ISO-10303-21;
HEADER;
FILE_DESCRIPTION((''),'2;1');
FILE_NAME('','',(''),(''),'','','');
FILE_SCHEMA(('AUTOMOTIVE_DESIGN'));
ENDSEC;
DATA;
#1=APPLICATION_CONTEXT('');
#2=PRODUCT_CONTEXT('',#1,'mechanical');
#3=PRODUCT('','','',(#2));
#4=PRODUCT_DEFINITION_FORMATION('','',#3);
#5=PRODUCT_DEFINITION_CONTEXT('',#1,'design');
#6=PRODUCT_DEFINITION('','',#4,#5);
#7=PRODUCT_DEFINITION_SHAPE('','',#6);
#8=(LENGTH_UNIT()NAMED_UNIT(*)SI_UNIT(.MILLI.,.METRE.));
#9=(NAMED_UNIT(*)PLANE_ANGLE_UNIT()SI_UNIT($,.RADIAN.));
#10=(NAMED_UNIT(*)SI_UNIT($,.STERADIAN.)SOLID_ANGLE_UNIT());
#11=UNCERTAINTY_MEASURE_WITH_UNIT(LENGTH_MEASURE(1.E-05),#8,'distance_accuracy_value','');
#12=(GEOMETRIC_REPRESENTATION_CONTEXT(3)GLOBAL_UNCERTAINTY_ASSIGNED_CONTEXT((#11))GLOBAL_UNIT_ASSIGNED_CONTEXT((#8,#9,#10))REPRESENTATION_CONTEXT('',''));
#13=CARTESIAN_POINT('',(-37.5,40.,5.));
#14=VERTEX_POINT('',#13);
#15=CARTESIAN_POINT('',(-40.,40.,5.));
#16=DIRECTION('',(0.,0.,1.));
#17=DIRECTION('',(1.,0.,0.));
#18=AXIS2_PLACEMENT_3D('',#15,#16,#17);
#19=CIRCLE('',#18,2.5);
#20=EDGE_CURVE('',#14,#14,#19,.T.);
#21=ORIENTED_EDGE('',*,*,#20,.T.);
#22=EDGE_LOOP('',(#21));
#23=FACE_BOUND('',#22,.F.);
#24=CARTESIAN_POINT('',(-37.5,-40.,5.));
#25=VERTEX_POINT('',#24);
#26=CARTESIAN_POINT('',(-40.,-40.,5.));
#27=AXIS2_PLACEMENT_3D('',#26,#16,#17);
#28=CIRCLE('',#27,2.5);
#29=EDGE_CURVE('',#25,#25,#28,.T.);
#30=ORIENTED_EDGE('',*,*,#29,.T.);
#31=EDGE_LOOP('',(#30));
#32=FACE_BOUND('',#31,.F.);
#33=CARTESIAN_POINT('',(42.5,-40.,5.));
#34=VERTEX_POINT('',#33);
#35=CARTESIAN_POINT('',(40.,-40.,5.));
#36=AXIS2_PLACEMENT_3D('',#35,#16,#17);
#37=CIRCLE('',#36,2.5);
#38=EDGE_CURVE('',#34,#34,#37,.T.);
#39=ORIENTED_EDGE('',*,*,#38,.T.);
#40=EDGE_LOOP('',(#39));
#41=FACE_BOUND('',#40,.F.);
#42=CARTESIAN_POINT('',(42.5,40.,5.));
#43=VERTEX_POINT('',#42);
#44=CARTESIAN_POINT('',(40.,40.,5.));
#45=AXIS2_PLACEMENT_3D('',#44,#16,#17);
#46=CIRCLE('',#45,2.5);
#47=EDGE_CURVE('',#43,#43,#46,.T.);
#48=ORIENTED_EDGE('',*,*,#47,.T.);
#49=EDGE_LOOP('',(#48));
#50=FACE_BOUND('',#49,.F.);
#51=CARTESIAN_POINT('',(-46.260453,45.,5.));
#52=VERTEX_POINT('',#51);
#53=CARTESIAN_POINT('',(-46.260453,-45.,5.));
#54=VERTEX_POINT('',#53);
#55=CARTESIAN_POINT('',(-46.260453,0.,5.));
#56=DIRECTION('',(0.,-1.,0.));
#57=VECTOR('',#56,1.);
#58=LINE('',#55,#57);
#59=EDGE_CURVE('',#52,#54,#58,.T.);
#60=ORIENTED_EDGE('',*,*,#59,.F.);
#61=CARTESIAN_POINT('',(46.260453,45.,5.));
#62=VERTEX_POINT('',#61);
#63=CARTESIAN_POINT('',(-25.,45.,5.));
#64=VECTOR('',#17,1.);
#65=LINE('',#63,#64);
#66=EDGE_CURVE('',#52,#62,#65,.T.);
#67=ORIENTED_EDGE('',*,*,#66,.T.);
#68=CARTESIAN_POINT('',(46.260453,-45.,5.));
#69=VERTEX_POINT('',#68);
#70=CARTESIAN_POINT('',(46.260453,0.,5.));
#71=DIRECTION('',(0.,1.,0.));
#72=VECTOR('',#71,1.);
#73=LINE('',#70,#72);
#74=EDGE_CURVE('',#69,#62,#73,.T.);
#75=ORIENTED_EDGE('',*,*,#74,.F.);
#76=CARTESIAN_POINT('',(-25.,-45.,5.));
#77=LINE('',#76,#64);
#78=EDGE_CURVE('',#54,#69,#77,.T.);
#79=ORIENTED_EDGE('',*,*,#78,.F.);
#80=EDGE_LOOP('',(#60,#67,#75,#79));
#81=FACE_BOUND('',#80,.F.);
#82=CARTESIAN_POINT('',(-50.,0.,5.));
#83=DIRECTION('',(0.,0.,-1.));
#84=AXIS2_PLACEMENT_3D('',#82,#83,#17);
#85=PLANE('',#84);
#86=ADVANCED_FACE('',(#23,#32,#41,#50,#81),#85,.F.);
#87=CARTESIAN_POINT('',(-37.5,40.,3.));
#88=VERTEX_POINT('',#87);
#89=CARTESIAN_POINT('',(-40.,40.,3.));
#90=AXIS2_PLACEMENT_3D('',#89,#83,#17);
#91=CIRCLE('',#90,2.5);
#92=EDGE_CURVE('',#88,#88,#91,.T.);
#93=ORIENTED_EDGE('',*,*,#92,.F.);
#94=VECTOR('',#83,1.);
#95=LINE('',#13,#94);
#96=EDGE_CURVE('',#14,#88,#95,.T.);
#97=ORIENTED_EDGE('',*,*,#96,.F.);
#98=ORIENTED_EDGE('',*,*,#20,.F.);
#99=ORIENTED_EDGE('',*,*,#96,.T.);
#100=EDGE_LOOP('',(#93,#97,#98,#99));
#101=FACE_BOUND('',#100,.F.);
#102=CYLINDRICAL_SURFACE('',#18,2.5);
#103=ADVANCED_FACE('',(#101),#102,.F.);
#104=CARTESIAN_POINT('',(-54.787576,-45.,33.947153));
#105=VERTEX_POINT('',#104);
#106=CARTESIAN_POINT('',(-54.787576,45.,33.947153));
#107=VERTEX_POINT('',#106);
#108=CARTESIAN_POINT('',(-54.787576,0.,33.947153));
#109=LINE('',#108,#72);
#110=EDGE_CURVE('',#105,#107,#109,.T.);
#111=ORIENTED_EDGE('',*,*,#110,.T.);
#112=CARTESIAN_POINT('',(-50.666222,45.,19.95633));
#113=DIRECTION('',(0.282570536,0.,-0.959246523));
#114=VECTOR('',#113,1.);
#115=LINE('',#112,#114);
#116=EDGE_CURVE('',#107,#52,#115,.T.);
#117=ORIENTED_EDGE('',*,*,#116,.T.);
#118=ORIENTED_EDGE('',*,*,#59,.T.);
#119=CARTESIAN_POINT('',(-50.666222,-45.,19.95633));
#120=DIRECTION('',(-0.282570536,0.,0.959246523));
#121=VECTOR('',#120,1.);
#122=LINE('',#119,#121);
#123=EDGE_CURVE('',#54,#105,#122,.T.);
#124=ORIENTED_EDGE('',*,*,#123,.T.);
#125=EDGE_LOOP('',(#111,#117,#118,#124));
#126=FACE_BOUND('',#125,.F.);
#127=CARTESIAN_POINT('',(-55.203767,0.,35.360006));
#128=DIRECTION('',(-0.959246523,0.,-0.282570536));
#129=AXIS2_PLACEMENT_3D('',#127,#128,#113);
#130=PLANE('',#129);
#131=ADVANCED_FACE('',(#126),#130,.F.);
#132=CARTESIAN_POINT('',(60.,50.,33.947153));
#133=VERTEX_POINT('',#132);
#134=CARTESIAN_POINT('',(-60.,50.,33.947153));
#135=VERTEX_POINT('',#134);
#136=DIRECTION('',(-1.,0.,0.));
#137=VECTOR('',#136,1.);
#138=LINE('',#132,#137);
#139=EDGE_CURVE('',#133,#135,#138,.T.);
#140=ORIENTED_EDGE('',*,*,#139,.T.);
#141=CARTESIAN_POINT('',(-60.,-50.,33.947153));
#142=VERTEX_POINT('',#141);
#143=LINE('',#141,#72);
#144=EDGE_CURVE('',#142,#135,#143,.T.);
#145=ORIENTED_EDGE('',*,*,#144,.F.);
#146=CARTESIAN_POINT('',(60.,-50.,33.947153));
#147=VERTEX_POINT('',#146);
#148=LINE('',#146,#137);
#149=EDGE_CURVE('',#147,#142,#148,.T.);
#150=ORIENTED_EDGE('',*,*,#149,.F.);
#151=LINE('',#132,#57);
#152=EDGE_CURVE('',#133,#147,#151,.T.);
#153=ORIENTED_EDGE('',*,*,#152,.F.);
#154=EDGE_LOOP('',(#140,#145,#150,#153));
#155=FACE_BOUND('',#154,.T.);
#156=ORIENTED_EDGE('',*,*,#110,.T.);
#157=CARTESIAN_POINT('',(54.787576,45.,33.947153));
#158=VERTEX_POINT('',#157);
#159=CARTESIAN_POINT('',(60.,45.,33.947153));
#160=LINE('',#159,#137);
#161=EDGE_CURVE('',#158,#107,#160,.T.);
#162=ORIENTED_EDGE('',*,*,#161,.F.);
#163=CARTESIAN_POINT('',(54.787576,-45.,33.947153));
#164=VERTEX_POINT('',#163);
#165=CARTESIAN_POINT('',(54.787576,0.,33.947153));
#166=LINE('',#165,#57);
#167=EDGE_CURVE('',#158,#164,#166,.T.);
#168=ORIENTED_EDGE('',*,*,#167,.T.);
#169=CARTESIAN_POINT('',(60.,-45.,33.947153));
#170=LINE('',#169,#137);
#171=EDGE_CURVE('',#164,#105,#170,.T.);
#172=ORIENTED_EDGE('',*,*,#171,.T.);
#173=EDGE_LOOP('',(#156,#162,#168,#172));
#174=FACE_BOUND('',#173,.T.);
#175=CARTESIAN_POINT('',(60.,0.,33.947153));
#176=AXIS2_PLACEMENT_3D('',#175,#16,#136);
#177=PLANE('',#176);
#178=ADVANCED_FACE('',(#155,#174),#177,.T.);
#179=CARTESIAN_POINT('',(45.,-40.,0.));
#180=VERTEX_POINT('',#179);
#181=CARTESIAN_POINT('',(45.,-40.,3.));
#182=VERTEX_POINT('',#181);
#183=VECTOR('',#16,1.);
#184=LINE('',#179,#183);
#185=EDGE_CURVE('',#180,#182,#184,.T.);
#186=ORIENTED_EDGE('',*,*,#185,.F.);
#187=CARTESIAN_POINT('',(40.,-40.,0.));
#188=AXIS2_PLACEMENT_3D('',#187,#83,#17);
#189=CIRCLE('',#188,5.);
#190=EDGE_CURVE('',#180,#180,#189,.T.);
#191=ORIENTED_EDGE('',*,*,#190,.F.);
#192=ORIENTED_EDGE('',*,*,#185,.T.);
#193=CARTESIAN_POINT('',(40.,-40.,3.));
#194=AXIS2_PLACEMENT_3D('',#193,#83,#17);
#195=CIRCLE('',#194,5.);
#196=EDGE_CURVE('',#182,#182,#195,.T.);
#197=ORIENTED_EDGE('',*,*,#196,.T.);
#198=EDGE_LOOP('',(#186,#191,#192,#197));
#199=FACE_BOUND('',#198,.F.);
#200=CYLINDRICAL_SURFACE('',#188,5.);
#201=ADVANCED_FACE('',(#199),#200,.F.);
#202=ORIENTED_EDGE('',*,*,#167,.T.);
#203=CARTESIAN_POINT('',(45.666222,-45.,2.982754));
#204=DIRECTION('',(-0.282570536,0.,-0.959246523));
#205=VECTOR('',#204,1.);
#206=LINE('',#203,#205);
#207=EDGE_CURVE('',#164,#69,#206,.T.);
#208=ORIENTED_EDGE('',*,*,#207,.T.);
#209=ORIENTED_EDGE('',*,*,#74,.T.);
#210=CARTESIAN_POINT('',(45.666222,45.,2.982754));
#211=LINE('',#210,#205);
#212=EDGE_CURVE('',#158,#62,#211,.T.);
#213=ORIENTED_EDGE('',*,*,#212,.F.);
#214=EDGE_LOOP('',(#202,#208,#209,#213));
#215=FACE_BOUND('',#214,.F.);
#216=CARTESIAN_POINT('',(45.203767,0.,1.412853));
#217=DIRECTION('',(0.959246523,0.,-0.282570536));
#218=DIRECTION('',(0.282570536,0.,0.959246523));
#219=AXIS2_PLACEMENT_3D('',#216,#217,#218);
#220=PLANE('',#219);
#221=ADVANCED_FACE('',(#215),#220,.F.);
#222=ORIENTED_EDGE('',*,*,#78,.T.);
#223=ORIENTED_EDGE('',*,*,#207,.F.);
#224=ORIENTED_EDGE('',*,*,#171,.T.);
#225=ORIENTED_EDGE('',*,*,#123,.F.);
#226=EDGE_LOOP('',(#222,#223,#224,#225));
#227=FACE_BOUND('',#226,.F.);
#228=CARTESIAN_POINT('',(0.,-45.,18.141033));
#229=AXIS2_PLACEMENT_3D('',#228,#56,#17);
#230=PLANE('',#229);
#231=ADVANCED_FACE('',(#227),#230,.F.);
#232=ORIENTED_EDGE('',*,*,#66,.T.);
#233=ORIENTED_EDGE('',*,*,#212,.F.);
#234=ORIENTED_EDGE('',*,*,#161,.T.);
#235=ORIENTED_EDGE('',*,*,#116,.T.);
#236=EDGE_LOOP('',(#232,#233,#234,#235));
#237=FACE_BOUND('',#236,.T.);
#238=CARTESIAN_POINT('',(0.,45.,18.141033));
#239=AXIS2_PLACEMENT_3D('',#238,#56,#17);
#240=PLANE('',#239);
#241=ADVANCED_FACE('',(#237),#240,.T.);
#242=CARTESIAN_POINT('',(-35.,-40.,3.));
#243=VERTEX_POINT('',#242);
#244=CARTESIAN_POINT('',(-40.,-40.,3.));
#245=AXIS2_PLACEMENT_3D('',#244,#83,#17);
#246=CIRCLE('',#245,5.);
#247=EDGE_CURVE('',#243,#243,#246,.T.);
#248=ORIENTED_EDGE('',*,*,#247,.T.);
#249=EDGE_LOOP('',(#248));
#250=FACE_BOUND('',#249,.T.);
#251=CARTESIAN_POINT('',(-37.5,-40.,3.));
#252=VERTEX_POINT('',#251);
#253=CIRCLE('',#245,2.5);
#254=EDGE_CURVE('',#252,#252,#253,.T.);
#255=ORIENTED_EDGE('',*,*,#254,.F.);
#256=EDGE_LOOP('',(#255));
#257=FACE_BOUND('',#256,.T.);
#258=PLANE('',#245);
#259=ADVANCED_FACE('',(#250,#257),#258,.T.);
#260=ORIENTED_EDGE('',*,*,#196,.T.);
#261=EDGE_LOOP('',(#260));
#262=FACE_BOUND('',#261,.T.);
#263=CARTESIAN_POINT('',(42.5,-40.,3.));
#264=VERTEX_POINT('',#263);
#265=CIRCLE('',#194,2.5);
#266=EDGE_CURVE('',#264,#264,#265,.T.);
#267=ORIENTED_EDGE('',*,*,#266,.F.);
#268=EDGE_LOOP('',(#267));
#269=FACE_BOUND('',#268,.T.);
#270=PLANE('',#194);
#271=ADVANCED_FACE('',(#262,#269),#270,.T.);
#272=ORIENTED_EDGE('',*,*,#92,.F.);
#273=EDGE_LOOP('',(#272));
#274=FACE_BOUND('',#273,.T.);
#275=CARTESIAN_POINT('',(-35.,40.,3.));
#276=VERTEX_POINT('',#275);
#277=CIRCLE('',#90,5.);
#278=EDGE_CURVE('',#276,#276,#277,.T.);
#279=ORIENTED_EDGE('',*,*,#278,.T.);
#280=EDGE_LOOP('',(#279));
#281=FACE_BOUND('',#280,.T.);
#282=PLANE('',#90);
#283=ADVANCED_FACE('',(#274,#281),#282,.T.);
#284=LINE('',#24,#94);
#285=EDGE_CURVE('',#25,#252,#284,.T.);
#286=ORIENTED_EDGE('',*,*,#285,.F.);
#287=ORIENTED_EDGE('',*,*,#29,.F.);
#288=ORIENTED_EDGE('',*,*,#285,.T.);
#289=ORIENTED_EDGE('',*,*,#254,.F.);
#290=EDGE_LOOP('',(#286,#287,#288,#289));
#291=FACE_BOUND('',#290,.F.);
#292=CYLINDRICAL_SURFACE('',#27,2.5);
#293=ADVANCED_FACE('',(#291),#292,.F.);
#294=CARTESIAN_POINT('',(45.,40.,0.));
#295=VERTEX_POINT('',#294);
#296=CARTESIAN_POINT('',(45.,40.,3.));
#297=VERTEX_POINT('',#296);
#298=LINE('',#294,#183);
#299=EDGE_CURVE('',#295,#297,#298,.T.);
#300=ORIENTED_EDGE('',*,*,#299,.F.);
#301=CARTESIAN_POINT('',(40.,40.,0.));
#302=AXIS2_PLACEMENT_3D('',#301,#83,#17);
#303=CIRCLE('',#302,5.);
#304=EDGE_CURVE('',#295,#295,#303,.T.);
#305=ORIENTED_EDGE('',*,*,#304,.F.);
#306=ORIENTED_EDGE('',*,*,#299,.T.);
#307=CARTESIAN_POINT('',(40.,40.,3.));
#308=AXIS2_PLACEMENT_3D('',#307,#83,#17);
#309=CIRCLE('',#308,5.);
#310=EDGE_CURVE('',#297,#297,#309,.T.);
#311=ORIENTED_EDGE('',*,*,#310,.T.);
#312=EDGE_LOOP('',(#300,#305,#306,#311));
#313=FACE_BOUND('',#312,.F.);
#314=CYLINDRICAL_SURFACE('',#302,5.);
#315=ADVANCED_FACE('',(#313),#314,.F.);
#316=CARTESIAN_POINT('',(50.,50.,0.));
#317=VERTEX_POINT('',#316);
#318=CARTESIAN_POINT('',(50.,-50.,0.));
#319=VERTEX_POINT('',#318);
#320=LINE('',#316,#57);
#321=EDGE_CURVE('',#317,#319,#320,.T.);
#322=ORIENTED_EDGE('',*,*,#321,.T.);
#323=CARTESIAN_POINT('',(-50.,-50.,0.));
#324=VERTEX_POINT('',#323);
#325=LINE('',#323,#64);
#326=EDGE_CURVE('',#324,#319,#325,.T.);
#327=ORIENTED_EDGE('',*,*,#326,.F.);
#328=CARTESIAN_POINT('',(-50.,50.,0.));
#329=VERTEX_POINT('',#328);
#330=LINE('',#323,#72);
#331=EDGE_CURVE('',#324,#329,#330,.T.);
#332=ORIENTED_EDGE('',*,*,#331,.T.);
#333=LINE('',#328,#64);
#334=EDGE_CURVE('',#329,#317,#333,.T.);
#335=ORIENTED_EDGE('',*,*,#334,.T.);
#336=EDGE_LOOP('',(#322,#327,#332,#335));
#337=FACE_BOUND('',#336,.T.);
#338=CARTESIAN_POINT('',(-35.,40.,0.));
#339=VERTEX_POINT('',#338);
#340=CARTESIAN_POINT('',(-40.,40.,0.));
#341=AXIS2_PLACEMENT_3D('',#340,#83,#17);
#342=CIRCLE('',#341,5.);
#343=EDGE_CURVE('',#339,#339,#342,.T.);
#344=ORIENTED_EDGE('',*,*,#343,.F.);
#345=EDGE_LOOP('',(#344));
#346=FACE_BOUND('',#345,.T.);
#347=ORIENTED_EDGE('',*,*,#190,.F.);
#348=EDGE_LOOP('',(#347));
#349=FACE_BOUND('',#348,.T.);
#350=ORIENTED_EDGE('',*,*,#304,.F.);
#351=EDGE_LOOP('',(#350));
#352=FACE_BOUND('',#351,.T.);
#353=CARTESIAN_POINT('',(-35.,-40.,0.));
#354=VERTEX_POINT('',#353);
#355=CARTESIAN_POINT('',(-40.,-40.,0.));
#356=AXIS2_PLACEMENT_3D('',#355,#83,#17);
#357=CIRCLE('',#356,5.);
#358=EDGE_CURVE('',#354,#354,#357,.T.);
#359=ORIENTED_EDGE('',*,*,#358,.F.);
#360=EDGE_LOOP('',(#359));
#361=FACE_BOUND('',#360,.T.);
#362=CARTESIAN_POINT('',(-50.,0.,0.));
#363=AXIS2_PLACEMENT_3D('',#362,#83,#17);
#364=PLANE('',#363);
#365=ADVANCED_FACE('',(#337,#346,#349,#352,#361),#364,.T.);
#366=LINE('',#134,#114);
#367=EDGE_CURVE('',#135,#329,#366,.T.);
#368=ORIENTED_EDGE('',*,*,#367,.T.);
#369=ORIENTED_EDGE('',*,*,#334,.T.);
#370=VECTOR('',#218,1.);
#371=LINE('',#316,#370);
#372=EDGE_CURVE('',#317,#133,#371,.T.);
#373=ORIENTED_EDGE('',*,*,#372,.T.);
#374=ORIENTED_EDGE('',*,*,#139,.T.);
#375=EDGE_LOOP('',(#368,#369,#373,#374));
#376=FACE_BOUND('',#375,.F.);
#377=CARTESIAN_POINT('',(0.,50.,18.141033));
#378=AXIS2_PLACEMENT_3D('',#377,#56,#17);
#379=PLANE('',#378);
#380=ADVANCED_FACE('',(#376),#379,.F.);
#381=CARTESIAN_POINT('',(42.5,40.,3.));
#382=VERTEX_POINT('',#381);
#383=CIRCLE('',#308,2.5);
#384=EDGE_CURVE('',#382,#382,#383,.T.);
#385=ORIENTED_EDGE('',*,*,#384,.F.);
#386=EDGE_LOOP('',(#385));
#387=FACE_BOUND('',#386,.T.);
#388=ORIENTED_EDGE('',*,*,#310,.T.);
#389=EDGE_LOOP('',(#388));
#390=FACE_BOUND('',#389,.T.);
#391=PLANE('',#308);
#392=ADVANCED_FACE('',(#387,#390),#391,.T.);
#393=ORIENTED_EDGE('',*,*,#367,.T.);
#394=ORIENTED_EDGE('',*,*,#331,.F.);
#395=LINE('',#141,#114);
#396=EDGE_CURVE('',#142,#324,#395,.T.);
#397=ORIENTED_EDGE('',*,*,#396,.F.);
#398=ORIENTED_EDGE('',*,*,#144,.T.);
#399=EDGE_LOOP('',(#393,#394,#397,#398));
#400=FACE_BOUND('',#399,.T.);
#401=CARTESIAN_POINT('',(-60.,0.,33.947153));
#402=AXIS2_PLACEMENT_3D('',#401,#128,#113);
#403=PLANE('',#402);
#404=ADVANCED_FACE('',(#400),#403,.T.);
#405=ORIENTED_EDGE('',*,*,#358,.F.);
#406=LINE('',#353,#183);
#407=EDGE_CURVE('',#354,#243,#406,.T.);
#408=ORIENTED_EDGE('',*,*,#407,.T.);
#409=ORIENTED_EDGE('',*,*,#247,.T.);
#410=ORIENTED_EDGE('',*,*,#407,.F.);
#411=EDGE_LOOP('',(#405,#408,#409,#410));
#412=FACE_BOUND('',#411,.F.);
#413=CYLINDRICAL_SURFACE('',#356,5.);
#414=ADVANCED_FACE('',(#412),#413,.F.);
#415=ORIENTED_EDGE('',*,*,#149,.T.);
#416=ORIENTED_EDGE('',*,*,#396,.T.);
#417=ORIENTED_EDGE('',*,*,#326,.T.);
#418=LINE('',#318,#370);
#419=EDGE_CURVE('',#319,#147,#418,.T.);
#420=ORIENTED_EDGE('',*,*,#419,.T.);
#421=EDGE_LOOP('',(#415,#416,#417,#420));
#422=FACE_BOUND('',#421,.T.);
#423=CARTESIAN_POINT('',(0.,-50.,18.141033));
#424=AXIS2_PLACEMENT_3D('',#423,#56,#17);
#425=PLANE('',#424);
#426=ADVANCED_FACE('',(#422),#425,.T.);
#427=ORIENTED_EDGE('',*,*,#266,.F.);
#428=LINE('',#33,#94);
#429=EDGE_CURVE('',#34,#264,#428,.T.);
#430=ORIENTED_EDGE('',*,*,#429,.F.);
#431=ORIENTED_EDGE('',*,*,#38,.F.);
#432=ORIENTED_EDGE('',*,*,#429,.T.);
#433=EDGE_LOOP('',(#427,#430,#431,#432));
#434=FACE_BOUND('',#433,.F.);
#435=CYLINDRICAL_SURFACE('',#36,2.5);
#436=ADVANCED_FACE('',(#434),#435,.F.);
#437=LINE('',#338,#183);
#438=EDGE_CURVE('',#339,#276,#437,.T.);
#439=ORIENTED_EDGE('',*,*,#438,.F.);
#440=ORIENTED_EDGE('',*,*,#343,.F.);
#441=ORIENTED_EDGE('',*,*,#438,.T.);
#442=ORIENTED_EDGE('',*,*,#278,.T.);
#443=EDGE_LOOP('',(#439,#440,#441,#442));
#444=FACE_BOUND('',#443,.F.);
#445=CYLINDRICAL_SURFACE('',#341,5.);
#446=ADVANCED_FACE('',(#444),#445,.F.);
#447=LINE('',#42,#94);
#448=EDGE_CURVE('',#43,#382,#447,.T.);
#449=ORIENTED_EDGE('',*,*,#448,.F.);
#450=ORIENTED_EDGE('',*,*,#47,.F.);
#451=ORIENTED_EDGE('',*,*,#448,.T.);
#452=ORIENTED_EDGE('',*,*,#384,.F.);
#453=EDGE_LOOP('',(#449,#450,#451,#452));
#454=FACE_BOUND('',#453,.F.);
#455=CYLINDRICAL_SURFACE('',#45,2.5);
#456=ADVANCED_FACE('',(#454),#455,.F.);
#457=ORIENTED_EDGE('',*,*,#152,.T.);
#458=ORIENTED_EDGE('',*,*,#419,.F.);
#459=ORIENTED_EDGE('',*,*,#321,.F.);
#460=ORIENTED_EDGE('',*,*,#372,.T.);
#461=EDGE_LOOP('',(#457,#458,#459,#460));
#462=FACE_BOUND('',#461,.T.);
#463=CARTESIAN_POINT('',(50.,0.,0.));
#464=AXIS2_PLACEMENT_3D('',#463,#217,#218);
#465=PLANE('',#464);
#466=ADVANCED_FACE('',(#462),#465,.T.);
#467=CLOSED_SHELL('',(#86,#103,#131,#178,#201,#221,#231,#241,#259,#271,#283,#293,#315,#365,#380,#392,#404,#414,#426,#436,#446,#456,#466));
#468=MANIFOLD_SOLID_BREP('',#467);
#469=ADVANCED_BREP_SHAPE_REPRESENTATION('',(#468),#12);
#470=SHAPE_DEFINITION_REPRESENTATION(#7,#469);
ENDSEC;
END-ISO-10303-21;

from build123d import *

# Parameters (mm, degrees)
F1_DEPTH      = 50
F1_DEPTH_BACK = 50
F2_T          = -5
F3_R          = 2.5
F4_DEPTH      = 5
F5_R          = 5
F5_R_2        = 2.5
F6_DEPTH      = 3


with BuildPart() as f1:
    # F0 (on Front) → F1 (new body, two sides)
    with BuildSketch(Plane.XZ) as f1_sk:
        Polygon((-50, 0), (50, 0), (60, 33.947153), (-60, 33.947153), align=None)
    extrude(amount=F1_DEPTH)
    extrude(f1_sk.sketch, amount=-F1_DEPTH_BACK)

    # F2
    f2_openings = [f1.faces().sort_by_distance(p)[0] for p in [
        (0, 0, 33.947153),
    ]]
    offset(amount=F2_T, openings=f2_openings)

    # F3 (on face) → F4 (cut, through all)
    with BuildSketch(Plane.XY.offset(5)):
        with Locations((-40, 40)):
            Circle(F3_R)
        with Locations((-40, -40)):
            Circle(F3_R)
        with Locations((40, -40)):
            Circle(F3_R)
        with Locations((40, 40)):
            Circle(F3_R)
    extrude(amount=-F4_DEPTH, mode=Mode.SUBTRACT)

    # F5 (on face) → F6 (cut)
    with BuildSketch(Plane(origin=(0, 0, 0), x_dir=(1, 0, 0), z_dir=(0, 0, -1))):
        with Locations((-40, 40)):
            Circle(F5_R)
        with Locations((-40, 40)):
            Circle(F5_R_2, mode=Mode.SUBTRACT)
        with Locations((40, 40)):
            Circle(F5_R)
        with Locations((40, 40)):
            Circle(F5_R_2, mode=Mode.SUBTRACT)
        with Locations((40, -40)):
            Circle(F5_R)
        with Locations((40, -40)):
            Circle(F5_R_2, mode=Mode.SUBTRACT)
        with Locations((-40, -40)):
            Circle(F5_R)
        with Locations((-40, -40)):
            Circle(F5_R_2, mode=Mode.SUBTRACT)
    extrude(amount=-F6_DEPTH, mode=Mode.SUBTRACT)


solid = f1.part
